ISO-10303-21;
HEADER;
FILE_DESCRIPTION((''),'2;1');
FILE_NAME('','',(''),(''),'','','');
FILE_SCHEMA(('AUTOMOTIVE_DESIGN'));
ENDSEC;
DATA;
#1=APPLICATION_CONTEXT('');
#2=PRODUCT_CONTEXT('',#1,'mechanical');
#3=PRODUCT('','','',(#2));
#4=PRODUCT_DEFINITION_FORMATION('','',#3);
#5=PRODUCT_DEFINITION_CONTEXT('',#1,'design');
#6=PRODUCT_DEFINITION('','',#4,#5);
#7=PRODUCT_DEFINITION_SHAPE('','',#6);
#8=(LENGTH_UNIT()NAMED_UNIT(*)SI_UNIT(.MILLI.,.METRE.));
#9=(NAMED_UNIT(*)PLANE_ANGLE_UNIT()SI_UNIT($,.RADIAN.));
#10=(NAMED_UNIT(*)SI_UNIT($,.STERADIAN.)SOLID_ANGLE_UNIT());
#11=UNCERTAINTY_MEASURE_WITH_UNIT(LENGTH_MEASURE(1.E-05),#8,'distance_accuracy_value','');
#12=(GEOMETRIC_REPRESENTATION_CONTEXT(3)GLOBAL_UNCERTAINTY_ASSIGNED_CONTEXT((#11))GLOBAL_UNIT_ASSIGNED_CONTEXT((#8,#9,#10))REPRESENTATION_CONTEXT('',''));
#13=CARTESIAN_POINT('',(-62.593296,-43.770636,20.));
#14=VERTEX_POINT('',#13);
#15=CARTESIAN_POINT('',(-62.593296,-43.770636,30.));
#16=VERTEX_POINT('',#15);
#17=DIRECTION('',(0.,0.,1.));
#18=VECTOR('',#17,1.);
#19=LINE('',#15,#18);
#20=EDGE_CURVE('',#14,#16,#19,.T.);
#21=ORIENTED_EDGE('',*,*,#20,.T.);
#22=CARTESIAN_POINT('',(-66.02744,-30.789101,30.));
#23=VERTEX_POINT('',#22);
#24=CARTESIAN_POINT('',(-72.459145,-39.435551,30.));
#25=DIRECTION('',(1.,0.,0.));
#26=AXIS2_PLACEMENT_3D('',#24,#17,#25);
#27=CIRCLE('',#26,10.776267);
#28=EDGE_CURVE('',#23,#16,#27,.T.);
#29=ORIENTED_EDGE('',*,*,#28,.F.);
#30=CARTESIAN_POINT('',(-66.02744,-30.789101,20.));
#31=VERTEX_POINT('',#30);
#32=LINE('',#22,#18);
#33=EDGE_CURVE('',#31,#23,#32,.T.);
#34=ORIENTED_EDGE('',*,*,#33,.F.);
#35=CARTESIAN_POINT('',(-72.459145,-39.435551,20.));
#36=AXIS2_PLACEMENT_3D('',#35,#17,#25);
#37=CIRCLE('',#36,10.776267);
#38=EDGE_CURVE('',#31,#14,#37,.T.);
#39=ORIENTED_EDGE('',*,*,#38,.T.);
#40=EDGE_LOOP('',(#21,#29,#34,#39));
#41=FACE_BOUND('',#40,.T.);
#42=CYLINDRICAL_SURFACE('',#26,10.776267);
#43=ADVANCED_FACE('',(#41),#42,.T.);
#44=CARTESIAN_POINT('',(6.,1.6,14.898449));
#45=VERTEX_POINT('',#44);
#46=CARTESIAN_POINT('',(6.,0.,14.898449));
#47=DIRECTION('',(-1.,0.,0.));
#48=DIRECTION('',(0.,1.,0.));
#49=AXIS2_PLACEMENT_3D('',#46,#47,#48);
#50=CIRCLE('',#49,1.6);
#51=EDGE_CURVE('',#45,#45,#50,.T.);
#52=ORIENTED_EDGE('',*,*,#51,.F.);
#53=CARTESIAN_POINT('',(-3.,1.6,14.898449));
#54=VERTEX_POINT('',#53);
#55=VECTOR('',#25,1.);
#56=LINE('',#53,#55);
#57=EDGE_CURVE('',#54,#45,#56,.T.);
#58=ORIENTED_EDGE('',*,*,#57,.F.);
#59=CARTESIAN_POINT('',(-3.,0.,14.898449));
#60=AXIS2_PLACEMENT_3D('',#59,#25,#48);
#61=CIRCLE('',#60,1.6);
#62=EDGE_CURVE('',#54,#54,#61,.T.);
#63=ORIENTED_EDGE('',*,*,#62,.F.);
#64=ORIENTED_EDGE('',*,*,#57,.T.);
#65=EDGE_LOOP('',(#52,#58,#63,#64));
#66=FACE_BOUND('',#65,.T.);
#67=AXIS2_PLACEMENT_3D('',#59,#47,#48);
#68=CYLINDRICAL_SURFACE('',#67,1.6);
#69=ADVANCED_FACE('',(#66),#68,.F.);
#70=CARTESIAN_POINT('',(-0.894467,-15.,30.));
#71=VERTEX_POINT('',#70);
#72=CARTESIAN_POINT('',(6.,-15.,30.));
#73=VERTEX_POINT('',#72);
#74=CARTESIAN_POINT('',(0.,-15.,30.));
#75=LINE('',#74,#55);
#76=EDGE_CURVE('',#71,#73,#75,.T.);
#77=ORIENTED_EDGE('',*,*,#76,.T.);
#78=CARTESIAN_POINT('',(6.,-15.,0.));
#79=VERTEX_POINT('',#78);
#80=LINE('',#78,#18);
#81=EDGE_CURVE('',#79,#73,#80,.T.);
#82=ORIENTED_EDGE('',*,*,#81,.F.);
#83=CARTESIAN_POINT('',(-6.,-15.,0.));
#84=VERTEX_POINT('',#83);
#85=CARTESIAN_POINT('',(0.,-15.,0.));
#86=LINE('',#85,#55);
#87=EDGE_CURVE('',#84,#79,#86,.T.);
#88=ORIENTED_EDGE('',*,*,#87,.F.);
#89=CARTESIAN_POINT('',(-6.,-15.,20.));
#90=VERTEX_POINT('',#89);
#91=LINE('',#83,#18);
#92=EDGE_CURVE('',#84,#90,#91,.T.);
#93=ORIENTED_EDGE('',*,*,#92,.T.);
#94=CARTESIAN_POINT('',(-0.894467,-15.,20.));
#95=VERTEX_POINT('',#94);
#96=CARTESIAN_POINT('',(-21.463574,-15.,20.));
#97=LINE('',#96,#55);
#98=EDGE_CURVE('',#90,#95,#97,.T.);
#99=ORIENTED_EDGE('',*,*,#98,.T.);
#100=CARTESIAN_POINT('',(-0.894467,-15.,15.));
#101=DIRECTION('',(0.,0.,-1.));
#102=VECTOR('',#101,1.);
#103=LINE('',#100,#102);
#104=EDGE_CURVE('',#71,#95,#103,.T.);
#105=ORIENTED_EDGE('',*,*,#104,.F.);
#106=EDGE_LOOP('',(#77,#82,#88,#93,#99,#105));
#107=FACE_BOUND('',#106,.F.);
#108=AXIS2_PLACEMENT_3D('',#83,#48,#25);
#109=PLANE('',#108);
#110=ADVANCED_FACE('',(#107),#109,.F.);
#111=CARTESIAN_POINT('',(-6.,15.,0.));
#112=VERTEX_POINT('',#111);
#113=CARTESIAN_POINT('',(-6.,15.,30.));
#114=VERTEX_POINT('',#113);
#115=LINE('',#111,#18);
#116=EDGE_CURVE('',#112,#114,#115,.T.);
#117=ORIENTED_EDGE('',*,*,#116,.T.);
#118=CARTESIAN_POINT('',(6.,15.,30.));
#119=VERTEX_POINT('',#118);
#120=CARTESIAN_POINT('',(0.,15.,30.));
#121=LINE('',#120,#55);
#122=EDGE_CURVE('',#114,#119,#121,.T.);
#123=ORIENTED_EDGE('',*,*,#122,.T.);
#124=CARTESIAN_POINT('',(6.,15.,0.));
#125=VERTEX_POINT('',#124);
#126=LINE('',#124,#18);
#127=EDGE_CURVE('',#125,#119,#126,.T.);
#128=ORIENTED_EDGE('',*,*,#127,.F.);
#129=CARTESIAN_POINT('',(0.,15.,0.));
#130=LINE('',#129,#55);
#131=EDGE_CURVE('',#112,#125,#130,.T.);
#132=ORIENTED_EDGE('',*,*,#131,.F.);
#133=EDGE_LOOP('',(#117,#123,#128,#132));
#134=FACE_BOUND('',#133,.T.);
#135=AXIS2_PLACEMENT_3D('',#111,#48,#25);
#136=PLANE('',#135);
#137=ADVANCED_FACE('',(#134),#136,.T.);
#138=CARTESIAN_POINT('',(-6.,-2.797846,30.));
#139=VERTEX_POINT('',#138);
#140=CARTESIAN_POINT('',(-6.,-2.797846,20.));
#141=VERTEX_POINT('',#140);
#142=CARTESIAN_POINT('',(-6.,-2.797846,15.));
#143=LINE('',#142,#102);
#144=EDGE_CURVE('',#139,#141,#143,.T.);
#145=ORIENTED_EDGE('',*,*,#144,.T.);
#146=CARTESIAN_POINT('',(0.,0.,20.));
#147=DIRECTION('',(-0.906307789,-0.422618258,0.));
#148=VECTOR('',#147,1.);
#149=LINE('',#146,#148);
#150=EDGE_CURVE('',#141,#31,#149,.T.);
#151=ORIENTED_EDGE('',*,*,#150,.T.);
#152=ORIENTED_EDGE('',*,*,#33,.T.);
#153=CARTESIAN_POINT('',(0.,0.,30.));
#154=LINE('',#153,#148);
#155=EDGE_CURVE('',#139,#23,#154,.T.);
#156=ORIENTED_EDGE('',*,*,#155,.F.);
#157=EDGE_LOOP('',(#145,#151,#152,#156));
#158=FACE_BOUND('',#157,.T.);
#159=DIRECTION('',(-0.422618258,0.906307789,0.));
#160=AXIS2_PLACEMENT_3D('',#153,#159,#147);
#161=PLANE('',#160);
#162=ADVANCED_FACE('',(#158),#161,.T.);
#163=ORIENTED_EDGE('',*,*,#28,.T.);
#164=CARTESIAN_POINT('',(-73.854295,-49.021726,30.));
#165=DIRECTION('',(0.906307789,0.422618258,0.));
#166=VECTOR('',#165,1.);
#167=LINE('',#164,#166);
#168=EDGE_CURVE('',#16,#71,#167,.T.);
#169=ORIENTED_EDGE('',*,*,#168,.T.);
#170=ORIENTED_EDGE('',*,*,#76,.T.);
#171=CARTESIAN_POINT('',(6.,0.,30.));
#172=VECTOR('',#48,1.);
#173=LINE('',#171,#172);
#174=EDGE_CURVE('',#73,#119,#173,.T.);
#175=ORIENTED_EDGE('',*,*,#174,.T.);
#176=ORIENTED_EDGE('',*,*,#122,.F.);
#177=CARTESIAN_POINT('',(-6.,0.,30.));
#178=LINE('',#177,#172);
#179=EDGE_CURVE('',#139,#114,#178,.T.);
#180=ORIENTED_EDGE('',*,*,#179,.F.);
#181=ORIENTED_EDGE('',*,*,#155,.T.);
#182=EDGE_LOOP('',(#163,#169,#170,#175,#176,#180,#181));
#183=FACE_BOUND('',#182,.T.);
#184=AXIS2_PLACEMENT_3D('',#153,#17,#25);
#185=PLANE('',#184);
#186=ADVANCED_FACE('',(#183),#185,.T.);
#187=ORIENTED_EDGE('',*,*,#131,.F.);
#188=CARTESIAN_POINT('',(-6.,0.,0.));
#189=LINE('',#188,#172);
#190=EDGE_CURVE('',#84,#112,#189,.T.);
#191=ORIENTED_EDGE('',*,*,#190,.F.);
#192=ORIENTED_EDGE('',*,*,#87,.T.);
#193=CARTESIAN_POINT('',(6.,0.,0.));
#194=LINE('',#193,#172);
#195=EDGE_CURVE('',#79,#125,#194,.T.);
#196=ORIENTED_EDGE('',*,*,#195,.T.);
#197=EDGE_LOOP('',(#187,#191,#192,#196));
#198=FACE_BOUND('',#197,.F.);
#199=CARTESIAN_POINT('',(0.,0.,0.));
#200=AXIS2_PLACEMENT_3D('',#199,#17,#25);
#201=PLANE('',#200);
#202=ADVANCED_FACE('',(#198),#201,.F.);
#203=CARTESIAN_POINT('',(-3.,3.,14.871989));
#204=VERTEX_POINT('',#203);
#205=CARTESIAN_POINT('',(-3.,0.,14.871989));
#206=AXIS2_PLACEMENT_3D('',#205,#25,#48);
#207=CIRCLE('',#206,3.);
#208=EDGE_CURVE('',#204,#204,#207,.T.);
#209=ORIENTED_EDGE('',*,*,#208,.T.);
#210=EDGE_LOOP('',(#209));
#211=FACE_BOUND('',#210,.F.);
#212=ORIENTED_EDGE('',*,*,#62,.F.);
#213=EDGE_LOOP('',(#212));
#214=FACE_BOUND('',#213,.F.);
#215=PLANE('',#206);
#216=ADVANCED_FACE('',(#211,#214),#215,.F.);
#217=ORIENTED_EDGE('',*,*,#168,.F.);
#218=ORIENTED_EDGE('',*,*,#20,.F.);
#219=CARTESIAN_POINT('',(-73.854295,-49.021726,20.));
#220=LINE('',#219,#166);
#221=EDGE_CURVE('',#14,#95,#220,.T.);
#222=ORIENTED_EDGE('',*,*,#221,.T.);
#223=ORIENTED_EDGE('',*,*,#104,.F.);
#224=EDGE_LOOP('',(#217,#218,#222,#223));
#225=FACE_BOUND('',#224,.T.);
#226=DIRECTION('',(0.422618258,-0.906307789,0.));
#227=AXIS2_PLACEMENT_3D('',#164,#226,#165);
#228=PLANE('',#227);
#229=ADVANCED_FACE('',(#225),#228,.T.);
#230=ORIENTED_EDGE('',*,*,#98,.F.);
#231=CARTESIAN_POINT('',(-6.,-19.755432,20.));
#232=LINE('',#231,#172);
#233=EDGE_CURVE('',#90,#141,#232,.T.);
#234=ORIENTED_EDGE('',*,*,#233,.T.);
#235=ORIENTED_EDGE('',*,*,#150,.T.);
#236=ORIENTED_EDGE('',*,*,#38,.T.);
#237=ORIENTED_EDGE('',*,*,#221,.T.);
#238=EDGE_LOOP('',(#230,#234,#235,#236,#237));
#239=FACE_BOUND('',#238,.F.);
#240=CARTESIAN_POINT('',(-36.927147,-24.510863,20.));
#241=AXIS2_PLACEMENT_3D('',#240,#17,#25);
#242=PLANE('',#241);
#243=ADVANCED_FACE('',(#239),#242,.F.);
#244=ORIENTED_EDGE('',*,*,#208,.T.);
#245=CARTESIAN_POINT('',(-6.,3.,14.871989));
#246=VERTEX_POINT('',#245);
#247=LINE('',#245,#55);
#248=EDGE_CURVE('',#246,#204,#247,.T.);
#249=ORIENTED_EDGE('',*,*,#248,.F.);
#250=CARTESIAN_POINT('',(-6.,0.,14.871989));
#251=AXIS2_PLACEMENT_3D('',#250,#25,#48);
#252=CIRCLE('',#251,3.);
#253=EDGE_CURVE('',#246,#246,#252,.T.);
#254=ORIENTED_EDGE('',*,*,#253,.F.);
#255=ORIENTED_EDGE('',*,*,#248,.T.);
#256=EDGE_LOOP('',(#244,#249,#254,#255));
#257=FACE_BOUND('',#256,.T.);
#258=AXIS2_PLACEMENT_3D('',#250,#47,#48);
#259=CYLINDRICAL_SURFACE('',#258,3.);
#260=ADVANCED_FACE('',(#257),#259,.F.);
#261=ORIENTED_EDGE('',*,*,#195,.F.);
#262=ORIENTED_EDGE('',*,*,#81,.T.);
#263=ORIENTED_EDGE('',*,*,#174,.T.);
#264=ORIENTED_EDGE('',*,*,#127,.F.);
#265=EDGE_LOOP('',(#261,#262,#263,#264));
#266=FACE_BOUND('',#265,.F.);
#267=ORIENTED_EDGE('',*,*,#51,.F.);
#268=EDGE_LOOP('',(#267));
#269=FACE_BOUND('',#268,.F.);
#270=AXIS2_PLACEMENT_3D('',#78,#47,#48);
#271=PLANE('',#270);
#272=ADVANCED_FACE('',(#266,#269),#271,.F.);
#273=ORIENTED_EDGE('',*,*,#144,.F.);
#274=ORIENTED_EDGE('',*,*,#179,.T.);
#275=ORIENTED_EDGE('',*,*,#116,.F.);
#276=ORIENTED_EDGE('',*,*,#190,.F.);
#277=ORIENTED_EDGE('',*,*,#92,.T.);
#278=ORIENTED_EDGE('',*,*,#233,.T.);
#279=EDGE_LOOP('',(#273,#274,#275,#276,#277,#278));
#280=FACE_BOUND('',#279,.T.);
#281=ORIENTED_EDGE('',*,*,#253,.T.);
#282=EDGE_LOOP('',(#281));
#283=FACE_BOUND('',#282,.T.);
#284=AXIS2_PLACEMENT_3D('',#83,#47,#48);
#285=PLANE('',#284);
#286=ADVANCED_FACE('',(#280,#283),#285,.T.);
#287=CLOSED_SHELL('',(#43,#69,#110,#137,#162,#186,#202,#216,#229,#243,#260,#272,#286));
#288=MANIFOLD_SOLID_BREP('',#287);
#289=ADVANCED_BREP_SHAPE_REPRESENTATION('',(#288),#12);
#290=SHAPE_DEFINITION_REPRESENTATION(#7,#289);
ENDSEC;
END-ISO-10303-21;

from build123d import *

# Parameters (mm, degrees)
SKETCH_W        = 12
SKETCH_H        = 30
PAD_DEPTH       = 30
PAD001_DEPTH    = 10
SKETCH002_R     = 10.776267
PAD002_DEPTH    = 10
SKETCH004_R     = 3
POCKET001_DEPTH = 3
SKETCH005_R     = 1.6
POCKET_DEPTH    = 9.001


with BuildPart() as part:
    # Sketch → Pad (new body)
    with BuildSketch(Plane.XY):
        Rectangle(SKETCH_W, SKETCH_H)
    extrude(amount=PAD_DEPTH)

    # Sketch001 → Pad001 (join)
    with BuildSketch(Plane.XY.offset(30)):
        Polygon((0, 0), (-73.854295, -34.438823), (-73.854295, -49.021726), (0, -14.582903), align=None)
    extrude(amount=-PAD001_DEPTH)

    # Sketch002 → Pad002 (join)
    with BuildSketch(Plane.XY.offset(30)):
        with Locations((-72.459145, -39.435551)):
            Circle(SKETCH002_R)
    extrude(amount=-PAD002_DEPTH)

    # Sketch004 → Pocket001 (cut)
    with BuildSketch(Plane.YZ.offset(-6)):
        with Locations((0, 14.871989)):
            Circle(SKETCH004_R)
    extrude(amount=POCKET001_DEPTH, mode=Mode.SUBTRACT)

    # Sketch005 → Pocket (cut, through all)
    with BuildSketch(Plane.YZ.offset(-3)):
        with Locations((0, 14.898449)):
            Circle(SKETCH005_R)
    extrude(amount=POCKET_DEPTH, mode=Mode.SUBTRACT)


solid = part.part
